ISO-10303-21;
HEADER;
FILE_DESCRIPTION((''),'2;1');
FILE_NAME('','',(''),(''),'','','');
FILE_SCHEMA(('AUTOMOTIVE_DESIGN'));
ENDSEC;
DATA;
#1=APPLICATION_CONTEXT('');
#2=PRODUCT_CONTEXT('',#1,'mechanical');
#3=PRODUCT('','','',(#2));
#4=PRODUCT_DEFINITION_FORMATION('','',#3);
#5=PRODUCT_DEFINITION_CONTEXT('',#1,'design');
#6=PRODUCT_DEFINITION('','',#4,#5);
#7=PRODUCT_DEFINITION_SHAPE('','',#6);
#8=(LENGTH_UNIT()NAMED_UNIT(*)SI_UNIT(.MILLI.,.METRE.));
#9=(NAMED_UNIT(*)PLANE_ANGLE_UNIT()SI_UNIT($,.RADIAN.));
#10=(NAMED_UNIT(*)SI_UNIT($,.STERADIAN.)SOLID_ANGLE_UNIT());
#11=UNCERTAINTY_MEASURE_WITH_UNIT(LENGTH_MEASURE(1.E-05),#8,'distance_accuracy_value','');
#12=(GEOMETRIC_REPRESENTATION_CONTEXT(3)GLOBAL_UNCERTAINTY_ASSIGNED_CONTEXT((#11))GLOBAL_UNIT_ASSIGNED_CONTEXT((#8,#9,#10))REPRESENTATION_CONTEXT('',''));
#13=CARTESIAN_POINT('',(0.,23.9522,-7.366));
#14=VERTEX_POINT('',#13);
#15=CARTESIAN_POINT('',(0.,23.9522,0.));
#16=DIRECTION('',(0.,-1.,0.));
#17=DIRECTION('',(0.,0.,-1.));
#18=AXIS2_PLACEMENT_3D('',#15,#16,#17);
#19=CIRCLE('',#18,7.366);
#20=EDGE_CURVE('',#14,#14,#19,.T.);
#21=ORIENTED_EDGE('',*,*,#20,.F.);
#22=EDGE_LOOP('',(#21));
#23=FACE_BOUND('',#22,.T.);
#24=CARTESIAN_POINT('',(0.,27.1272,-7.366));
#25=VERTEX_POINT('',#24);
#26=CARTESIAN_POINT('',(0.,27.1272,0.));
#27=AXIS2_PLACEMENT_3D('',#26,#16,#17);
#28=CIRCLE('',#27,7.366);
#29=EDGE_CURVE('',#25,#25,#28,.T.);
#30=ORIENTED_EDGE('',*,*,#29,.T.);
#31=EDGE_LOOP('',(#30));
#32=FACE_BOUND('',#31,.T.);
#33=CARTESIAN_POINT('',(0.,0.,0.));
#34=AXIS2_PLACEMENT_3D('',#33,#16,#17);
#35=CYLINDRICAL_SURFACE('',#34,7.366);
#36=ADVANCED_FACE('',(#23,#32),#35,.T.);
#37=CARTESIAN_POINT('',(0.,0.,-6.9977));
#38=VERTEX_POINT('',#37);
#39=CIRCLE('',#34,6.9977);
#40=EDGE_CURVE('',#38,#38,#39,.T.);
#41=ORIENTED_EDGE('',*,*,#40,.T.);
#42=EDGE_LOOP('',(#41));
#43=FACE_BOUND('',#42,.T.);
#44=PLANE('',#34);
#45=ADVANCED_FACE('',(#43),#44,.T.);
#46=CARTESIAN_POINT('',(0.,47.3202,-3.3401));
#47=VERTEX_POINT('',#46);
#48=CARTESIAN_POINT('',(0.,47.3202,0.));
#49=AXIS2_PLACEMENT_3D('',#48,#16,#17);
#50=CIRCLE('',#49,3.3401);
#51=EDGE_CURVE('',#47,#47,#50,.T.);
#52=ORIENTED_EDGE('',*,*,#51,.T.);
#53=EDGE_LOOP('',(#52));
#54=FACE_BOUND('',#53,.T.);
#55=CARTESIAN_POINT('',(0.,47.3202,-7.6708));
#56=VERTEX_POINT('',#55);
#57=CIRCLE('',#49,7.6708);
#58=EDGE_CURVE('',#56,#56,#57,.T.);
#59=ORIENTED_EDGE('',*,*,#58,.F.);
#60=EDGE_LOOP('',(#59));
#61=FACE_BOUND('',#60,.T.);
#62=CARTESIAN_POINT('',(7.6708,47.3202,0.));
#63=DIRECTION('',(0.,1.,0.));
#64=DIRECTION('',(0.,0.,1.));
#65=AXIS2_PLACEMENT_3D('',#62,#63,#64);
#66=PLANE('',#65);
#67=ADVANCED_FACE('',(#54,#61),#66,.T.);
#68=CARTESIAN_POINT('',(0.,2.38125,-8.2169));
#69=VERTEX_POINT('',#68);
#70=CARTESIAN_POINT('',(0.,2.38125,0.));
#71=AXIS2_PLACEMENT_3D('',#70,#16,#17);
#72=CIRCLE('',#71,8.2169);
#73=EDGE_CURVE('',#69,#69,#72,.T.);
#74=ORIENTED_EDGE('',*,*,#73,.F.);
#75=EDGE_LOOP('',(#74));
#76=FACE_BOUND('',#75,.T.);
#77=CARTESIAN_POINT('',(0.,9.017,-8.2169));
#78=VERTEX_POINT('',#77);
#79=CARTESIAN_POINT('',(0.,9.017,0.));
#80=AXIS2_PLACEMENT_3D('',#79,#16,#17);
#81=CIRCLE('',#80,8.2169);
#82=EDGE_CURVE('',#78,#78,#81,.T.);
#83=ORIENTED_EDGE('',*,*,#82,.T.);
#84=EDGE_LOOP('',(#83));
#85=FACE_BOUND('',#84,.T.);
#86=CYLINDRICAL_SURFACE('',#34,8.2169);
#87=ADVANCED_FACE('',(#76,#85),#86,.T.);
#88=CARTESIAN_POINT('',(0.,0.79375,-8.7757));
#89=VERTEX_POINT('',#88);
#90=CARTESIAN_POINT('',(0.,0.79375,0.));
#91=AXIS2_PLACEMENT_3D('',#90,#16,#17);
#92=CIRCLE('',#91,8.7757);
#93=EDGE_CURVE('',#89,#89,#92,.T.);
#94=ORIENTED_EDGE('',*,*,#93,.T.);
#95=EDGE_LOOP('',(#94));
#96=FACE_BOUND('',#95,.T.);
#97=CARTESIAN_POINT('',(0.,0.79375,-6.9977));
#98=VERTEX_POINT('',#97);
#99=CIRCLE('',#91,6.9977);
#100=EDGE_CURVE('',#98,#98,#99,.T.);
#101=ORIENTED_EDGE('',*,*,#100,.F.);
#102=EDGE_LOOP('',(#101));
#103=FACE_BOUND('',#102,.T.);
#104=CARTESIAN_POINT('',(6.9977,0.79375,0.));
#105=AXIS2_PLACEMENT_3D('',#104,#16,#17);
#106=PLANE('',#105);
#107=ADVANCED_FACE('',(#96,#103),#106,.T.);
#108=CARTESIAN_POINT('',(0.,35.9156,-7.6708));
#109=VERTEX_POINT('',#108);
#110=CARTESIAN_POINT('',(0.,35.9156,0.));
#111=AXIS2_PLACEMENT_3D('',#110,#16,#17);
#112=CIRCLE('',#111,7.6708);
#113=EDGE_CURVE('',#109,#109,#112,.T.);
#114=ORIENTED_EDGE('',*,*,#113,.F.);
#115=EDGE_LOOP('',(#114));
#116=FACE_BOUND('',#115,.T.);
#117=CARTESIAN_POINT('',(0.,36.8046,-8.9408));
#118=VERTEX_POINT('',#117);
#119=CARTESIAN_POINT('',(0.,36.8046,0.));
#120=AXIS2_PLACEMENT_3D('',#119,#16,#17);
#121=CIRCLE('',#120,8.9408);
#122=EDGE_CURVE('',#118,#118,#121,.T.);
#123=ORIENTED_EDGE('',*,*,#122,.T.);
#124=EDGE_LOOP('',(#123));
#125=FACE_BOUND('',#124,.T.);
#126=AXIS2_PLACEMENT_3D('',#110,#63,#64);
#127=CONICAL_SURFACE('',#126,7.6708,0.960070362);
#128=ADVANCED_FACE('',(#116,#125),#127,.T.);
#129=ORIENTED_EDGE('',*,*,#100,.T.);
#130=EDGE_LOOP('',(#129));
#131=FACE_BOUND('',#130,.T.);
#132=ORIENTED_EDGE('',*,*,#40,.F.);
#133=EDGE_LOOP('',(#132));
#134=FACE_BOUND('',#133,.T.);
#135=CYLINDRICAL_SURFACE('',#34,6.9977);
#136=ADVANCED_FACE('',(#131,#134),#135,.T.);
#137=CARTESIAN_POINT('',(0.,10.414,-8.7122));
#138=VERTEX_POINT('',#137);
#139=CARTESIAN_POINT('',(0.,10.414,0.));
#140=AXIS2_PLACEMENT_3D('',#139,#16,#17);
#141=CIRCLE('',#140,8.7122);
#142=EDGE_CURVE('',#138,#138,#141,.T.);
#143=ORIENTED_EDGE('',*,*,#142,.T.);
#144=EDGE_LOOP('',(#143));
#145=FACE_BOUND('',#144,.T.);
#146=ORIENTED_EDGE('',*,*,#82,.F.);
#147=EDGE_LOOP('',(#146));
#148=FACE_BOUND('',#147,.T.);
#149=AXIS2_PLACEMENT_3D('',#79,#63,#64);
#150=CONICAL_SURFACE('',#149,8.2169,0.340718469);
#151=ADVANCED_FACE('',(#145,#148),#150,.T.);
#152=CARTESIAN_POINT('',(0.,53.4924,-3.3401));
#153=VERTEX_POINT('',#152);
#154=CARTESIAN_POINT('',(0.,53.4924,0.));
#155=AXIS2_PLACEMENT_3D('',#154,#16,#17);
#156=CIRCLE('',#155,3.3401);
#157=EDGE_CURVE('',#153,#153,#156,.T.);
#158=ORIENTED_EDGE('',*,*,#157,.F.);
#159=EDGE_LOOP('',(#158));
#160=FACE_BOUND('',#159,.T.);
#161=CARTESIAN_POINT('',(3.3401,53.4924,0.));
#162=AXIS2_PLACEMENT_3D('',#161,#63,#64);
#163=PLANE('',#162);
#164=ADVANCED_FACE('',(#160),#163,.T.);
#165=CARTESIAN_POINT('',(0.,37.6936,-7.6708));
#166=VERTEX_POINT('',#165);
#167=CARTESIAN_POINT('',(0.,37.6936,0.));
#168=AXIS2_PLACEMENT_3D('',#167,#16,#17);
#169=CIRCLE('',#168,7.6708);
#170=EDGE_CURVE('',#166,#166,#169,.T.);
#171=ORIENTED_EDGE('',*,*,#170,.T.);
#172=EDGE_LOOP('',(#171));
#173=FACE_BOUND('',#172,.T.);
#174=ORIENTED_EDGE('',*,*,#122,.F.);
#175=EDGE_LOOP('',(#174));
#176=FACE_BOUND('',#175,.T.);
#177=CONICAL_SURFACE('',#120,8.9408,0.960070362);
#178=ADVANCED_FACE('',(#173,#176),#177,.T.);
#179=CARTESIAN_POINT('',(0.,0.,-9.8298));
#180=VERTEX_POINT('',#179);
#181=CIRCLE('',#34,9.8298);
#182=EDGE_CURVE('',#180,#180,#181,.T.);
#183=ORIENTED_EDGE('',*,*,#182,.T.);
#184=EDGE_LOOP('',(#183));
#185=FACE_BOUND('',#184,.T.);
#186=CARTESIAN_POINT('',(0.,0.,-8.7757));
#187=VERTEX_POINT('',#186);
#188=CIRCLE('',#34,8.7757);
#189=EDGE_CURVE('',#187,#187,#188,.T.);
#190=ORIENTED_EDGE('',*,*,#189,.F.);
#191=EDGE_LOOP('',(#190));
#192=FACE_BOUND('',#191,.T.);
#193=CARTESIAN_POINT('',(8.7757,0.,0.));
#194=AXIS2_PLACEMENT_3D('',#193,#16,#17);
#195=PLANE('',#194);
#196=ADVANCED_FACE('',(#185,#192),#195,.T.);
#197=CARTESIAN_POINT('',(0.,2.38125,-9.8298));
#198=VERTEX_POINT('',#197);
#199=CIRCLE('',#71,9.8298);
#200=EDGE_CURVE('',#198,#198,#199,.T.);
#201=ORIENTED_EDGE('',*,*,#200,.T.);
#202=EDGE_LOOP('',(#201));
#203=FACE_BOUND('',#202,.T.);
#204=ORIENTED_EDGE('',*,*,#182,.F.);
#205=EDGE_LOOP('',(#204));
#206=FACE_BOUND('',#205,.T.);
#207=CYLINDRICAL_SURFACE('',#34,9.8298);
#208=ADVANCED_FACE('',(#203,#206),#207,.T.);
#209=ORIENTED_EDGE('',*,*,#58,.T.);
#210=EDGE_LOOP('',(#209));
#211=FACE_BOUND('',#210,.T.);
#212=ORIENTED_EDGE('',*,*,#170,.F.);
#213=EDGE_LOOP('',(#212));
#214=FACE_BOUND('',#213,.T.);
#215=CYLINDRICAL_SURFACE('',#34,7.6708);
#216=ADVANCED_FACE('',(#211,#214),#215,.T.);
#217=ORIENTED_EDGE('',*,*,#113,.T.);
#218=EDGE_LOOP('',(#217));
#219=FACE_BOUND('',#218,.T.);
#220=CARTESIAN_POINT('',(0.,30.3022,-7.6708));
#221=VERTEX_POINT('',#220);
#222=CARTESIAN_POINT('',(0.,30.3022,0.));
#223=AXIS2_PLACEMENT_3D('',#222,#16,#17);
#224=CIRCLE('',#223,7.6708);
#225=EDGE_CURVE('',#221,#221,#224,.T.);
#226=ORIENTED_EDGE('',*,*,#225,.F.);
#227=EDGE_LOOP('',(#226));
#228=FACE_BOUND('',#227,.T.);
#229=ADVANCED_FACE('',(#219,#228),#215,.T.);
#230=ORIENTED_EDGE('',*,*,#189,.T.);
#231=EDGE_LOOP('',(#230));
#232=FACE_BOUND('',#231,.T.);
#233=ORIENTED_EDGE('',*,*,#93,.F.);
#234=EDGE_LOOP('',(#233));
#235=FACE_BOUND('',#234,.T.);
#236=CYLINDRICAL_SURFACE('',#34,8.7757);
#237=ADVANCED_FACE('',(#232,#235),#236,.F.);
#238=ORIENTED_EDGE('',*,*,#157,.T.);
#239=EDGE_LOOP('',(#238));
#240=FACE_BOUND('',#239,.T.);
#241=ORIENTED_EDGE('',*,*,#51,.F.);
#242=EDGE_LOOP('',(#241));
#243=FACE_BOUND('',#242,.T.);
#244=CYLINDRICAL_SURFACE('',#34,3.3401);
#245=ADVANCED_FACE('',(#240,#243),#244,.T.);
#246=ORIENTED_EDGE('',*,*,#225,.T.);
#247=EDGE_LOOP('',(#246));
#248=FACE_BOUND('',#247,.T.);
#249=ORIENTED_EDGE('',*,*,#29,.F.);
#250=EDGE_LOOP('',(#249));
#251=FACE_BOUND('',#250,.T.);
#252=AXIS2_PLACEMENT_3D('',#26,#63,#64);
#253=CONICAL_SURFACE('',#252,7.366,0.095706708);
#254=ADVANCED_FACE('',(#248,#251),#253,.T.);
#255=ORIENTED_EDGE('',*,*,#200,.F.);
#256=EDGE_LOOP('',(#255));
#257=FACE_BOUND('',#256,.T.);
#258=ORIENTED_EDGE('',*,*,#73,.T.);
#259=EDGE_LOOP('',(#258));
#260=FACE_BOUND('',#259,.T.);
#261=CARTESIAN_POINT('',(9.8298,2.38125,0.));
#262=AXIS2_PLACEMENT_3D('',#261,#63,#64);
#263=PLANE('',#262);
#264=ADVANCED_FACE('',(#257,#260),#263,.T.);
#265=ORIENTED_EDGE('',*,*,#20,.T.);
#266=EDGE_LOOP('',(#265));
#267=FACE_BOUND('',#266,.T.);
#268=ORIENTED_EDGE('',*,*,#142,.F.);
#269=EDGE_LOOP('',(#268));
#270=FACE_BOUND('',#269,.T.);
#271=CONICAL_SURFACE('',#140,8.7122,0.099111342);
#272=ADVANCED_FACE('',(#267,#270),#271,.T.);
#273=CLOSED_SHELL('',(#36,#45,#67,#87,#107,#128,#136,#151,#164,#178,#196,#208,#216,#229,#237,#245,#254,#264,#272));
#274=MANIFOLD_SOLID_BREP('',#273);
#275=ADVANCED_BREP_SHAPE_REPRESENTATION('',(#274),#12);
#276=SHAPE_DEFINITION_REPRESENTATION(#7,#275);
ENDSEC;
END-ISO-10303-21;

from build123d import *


with BuildPart() as part:
    # Sketch1 → Revolve1 (revolve)
    with BuildSketch(Plane.XY, mode=Mode.PRIVATE) as revolve1_sk:
        Polygon((0, 0), (6.9977, 0), (6.9977, 0.79375), (8.7757, 0.79375), (8.7757, 0), (9.8298, 0), (9.8298, 2.38125), (8.2169, 2.38125), (8.2169, 9.017), (8.7122, 10.414), (7.366, 23.9522), (7.366, 27.1272), (7.6708, 30.3022), (7.6708, 35.9156), (8.9408, 36.8046), (7.6708, 37.6936), (7.6708, 47.3202), (3.3401, 47.3202), (3.3401, 53.4924), (0, 53.4924), align=None)
    revolve(revolve1_sk.sketch.rotate(Axis((0, 0, 0), (0, 1, 0)), 90), axis=Axis((0, 0, 0), (0, 1, 0)))


solid = part.part
